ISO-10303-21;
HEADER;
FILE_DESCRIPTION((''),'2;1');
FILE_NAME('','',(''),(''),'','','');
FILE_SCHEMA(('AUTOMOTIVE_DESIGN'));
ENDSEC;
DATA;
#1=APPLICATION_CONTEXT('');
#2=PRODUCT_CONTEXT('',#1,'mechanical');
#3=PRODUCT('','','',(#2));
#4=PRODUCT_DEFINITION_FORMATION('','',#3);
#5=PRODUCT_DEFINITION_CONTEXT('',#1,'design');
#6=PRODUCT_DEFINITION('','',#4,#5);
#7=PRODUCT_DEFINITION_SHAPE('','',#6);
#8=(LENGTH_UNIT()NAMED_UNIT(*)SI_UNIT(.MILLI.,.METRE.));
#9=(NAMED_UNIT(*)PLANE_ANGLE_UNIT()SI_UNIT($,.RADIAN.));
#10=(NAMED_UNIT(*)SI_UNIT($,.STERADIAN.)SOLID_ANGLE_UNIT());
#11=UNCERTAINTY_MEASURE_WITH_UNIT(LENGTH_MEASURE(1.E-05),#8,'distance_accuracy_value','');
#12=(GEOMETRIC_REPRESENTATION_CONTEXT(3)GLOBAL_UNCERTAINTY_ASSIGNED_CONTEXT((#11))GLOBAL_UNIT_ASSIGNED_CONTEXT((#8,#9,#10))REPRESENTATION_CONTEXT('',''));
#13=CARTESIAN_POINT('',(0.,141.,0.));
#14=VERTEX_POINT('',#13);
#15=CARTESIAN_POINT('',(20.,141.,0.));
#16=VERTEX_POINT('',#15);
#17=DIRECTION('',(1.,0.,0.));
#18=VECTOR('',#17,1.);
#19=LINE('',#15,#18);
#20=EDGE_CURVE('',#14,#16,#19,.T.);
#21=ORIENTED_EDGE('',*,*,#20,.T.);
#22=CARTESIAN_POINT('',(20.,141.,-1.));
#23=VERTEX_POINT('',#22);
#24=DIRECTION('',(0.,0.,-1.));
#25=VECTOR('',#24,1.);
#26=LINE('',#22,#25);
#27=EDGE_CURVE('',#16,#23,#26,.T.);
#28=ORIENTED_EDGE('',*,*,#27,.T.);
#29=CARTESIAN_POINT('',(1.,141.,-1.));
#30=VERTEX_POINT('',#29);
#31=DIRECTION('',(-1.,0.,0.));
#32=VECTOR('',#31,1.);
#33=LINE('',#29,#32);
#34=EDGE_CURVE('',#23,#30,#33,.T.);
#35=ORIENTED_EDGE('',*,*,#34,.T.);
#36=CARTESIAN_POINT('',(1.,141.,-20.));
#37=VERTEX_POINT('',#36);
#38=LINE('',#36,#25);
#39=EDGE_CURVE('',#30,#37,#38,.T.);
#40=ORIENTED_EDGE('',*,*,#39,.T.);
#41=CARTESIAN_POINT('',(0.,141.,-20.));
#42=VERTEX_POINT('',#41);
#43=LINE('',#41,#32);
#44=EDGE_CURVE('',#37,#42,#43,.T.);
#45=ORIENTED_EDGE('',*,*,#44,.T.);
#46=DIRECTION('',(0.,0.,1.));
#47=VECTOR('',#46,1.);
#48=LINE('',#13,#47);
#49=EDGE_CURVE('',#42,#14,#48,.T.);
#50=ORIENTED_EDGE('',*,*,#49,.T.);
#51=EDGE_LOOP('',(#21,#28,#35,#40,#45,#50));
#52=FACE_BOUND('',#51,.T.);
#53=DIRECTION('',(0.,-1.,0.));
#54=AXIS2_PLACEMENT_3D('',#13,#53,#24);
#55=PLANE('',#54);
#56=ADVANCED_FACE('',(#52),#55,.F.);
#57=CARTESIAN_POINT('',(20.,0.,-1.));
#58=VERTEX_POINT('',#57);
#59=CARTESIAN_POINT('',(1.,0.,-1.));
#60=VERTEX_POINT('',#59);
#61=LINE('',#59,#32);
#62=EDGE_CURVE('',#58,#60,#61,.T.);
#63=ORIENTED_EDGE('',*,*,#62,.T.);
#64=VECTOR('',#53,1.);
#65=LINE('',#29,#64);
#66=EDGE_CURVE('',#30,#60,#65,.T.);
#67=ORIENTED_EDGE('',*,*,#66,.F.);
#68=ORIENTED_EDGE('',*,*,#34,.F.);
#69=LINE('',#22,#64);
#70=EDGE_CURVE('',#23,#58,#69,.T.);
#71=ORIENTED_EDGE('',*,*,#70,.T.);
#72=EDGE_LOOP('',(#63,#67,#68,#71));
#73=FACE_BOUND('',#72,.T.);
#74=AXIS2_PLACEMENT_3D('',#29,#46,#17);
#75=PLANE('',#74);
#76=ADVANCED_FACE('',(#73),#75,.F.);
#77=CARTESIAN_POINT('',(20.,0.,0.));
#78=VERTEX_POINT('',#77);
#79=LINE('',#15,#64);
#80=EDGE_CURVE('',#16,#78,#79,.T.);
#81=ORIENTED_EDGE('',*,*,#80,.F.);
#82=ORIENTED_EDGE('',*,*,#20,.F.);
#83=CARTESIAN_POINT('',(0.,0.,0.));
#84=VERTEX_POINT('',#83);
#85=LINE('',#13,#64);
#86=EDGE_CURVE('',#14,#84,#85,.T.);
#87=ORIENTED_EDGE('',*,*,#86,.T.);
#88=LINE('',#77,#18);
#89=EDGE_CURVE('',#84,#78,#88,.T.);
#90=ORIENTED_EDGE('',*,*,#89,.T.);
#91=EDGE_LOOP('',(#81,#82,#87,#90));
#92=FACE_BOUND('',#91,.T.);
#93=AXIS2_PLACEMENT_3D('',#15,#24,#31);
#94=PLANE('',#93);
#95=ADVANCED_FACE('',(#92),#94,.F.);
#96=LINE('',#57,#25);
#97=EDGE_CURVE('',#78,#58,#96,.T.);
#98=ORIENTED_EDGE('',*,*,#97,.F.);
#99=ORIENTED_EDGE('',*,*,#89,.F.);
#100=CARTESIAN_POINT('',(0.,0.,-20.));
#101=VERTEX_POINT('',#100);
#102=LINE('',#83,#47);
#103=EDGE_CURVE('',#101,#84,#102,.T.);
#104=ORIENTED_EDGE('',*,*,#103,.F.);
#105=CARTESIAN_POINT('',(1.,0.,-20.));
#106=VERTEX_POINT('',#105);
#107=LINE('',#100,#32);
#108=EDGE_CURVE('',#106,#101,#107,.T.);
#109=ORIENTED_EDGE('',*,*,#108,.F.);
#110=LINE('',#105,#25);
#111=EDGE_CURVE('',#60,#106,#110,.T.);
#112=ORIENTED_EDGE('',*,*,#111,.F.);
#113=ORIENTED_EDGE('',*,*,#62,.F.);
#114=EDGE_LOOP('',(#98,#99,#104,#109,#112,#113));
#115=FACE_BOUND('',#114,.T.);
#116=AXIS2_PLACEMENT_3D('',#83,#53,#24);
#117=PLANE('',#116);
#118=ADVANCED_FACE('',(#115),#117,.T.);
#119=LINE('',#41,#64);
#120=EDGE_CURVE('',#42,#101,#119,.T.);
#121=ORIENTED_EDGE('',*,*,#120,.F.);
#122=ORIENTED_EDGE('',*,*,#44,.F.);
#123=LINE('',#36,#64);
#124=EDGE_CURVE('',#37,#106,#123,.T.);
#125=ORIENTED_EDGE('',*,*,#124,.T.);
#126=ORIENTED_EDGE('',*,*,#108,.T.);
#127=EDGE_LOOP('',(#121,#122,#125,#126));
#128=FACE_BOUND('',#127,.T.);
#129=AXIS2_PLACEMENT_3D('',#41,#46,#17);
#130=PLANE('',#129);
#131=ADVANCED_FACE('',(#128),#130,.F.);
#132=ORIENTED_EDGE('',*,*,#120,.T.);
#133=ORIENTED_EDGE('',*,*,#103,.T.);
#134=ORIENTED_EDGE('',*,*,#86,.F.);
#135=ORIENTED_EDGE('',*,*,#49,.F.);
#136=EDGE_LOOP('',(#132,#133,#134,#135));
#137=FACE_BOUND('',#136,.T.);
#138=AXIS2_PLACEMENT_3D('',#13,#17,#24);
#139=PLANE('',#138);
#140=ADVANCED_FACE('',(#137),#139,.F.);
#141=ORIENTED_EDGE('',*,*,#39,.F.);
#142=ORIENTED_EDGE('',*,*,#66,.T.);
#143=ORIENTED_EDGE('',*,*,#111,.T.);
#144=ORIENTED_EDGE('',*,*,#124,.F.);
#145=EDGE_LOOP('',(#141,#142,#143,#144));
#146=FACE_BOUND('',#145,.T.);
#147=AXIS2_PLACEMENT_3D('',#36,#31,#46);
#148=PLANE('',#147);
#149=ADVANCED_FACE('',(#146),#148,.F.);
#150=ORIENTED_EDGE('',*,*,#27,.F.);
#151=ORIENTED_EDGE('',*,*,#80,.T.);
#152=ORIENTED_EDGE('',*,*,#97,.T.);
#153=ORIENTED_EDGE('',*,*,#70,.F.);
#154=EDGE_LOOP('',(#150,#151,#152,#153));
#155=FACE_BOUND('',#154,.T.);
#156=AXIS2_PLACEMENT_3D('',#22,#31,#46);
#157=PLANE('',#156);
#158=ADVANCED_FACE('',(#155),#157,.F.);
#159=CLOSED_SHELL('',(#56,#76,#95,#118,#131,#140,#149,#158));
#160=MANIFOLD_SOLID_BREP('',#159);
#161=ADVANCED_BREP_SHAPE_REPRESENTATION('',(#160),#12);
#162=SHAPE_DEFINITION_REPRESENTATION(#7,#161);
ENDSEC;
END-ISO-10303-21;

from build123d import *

# Parameters (mm, degrees)
EXTRUDE_1_DEPTH = 141


with BuildPart() as part:
    # Эскиз1 → Бобышка-Вытянуть1 (new body)
    with BuildSketch(Plane(origin=(0, 0, 0), x_dir=(1, 0, 0), z_dir=(0, 1, 0))):
        Polygon((0, 0), (0, 20), (1, 20), (1, 1), (20, 1), (20, 0), align=None)
    extrude(amount=EXTRUDE_1_DEPTH)


solid = part.part
